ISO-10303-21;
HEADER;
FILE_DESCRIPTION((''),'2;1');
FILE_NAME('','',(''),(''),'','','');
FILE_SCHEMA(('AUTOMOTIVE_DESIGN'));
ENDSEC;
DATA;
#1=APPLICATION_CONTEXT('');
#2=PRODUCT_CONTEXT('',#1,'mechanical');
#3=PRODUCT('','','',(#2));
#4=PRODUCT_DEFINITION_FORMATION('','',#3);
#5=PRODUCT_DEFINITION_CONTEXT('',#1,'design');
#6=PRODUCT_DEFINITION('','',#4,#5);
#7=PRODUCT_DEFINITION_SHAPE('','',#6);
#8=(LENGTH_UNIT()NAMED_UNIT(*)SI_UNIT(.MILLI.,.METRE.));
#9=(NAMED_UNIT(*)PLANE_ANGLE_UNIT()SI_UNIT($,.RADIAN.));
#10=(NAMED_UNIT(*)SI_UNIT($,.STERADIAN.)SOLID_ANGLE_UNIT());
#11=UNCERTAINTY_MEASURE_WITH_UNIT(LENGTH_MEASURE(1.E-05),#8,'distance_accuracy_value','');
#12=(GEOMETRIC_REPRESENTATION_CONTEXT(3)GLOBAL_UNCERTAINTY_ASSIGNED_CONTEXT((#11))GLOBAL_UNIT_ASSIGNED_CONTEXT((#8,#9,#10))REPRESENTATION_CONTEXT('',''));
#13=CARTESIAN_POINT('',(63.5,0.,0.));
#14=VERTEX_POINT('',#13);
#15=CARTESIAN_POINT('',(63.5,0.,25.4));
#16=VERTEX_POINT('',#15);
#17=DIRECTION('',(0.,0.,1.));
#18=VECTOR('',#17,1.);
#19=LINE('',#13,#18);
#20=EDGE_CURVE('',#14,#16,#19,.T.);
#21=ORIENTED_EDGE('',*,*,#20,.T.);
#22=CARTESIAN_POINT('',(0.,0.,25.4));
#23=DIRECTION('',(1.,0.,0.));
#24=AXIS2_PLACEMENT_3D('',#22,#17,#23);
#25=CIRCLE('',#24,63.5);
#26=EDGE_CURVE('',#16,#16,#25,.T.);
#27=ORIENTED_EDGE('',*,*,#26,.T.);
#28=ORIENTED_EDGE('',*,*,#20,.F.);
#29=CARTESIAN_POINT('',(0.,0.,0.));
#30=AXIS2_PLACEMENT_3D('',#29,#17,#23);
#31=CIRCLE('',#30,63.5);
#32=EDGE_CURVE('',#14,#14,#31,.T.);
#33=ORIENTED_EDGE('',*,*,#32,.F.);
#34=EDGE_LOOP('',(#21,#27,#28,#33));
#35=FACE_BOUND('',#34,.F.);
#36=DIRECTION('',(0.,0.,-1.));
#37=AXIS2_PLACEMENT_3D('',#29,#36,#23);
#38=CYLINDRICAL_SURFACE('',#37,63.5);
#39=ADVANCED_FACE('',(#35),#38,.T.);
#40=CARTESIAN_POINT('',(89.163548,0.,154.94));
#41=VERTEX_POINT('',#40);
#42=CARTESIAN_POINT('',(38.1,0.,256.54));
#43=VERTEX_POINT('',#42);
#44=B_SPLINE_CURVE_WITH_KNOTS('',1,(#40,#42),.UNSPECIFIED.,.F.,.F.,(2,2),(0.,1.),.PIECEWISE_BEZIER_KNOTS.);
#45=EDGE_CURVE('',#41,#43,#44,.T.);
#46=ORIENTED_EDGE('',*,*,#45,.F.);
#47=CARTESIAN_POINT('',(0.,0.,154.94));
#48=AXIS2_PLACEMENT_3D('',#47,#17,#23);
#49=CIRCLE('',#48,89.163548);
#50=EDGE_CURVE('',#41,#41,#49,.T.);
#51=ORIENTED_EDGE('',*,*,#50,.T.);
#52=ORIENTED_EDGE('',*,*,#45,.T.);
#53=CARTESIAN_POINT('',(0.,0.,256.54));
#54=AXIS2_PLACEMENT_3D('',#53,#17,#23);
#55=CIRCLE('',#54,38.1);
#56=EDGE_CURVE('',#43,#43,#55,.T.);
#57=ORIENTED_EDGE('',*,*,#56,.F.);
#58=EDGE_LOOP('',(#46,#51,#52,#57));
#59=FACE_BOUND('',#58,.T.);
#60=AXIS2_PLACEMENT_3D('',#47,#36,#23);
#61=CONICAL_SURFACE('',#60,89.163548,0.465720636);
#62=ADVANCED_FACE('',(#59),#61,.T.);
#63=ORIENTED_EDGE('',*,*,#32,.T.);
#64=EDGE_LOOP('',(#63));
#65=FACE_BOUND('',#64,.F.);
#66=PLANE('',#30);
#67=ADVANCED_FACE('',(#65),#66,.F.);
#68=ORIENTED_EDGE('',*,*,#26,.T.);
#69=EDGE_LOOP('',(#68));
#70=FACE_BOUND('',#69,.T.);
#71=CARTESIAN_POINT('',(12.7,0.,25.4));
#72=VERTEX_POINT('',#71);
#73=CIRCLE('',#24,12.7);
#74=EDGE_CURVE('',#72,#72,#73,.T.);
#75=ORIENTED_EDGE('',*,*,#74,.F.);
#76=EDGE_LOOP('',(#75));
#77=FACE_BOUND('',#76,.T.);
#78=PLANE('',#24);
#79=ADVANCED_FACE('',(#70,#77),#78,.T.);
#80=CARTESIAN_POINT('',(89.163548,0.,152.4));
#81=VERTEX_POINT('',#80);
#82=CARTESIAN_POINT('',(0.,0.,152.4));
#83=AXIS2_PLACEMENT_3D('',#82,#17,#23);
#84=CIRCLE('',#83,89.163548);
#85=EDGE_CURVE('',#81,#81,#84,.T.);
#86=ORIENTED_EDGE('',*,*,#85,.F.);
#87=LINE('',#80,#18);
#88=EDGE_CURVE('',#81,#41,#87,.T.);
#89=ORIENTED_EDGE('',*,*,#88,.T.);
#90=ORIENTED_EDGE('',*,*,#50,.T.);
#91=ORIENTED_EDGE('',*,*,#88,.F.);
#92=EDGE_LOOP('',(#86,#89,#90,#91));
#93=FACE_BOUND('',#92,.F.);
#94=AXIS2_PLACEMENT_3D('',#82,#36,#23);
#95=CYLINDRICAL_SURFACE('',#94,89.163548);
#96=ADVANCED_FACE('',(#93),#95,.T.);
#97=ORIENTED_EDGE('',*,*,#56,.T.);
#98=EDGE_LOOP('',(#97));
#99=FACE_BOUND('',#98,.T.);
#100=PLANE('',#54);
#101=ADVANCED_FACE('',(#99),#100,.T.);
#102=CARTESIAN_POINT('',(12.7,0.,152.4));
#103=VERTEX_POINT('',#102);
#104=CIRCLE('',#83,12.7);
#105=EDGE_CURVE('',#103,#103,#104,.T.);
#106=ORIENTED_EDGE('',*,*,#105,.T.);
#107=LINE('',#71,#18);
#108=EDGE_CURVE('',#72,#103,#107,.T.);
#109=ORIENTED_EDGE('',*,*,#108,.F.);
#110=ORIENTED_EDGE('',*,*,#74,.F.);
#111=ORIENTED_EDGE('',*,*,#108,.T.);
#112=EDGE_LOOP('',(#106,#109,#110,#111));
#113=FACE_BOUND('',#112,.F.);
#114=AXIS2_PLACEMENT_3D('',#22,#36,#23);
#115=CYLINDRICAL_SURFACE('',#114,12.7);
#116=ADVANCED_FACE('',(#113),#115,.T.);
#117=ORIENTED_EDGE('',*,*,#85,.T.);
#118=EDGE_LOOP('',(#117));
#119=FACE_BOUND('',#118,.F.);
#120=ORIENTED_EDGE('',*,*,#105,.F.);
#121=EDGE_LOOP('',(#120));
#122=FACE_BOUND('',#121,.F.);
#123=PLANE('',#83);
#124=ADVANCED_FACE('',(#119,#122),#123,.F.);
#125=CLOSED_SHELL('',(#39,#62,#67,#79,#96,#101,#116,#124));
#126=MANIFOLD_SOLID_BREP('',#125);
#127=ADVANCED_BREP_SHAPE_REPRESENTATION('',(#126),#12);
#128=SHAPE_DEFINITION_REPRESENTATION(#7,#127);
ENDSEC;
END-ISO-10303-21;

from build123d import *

# Parameters (mm, degrees)
F0_R      = 63.5
F1_DEPTH  = 25.4
F2_R      = 12.7
F3_DEPTH  = 127
F4_R      = 89.163548
F4_R_2    = 12.7
F5_DEPTH  = 2.54
F5_FACE_R = 89.163548
F7_R      = 38.1


with BuildPart() as f1:
    # F0 (on Top) → F1 (new body)
    with BuildSketch(Plane.XY):
        Circle(F0_R)
    extrude(amount=F1_DEPTH)

    # F2 (on face) → F3 (join)
    with BuildSketch(Plane.XY.offset(25.4)):
        Circle(F2_R)
    extrude(amount=F3_DEPTH)

    # F4 (on face) → F5 (join)
    with BuildSketch(Plane.XY.offset(152.4)):
        Circle(F4_R)
        Circle(F4_R_2, mode=Mode.SUBTRACT)
        Circle(F4_R_2)
    extrude(amount=F5_DEPTH)

    # F5_face (on face) → F8 section 0
    with BuildSketch(Plane.XY.offset(154.94)):
        Circle(F5_FACE_R)
    # F7 (on offset) → F8 section 1
    with BuildSketch(Plane.XY.offset(256.54)):
        Circle(F7_R)
    loft()


solid = f1.part
